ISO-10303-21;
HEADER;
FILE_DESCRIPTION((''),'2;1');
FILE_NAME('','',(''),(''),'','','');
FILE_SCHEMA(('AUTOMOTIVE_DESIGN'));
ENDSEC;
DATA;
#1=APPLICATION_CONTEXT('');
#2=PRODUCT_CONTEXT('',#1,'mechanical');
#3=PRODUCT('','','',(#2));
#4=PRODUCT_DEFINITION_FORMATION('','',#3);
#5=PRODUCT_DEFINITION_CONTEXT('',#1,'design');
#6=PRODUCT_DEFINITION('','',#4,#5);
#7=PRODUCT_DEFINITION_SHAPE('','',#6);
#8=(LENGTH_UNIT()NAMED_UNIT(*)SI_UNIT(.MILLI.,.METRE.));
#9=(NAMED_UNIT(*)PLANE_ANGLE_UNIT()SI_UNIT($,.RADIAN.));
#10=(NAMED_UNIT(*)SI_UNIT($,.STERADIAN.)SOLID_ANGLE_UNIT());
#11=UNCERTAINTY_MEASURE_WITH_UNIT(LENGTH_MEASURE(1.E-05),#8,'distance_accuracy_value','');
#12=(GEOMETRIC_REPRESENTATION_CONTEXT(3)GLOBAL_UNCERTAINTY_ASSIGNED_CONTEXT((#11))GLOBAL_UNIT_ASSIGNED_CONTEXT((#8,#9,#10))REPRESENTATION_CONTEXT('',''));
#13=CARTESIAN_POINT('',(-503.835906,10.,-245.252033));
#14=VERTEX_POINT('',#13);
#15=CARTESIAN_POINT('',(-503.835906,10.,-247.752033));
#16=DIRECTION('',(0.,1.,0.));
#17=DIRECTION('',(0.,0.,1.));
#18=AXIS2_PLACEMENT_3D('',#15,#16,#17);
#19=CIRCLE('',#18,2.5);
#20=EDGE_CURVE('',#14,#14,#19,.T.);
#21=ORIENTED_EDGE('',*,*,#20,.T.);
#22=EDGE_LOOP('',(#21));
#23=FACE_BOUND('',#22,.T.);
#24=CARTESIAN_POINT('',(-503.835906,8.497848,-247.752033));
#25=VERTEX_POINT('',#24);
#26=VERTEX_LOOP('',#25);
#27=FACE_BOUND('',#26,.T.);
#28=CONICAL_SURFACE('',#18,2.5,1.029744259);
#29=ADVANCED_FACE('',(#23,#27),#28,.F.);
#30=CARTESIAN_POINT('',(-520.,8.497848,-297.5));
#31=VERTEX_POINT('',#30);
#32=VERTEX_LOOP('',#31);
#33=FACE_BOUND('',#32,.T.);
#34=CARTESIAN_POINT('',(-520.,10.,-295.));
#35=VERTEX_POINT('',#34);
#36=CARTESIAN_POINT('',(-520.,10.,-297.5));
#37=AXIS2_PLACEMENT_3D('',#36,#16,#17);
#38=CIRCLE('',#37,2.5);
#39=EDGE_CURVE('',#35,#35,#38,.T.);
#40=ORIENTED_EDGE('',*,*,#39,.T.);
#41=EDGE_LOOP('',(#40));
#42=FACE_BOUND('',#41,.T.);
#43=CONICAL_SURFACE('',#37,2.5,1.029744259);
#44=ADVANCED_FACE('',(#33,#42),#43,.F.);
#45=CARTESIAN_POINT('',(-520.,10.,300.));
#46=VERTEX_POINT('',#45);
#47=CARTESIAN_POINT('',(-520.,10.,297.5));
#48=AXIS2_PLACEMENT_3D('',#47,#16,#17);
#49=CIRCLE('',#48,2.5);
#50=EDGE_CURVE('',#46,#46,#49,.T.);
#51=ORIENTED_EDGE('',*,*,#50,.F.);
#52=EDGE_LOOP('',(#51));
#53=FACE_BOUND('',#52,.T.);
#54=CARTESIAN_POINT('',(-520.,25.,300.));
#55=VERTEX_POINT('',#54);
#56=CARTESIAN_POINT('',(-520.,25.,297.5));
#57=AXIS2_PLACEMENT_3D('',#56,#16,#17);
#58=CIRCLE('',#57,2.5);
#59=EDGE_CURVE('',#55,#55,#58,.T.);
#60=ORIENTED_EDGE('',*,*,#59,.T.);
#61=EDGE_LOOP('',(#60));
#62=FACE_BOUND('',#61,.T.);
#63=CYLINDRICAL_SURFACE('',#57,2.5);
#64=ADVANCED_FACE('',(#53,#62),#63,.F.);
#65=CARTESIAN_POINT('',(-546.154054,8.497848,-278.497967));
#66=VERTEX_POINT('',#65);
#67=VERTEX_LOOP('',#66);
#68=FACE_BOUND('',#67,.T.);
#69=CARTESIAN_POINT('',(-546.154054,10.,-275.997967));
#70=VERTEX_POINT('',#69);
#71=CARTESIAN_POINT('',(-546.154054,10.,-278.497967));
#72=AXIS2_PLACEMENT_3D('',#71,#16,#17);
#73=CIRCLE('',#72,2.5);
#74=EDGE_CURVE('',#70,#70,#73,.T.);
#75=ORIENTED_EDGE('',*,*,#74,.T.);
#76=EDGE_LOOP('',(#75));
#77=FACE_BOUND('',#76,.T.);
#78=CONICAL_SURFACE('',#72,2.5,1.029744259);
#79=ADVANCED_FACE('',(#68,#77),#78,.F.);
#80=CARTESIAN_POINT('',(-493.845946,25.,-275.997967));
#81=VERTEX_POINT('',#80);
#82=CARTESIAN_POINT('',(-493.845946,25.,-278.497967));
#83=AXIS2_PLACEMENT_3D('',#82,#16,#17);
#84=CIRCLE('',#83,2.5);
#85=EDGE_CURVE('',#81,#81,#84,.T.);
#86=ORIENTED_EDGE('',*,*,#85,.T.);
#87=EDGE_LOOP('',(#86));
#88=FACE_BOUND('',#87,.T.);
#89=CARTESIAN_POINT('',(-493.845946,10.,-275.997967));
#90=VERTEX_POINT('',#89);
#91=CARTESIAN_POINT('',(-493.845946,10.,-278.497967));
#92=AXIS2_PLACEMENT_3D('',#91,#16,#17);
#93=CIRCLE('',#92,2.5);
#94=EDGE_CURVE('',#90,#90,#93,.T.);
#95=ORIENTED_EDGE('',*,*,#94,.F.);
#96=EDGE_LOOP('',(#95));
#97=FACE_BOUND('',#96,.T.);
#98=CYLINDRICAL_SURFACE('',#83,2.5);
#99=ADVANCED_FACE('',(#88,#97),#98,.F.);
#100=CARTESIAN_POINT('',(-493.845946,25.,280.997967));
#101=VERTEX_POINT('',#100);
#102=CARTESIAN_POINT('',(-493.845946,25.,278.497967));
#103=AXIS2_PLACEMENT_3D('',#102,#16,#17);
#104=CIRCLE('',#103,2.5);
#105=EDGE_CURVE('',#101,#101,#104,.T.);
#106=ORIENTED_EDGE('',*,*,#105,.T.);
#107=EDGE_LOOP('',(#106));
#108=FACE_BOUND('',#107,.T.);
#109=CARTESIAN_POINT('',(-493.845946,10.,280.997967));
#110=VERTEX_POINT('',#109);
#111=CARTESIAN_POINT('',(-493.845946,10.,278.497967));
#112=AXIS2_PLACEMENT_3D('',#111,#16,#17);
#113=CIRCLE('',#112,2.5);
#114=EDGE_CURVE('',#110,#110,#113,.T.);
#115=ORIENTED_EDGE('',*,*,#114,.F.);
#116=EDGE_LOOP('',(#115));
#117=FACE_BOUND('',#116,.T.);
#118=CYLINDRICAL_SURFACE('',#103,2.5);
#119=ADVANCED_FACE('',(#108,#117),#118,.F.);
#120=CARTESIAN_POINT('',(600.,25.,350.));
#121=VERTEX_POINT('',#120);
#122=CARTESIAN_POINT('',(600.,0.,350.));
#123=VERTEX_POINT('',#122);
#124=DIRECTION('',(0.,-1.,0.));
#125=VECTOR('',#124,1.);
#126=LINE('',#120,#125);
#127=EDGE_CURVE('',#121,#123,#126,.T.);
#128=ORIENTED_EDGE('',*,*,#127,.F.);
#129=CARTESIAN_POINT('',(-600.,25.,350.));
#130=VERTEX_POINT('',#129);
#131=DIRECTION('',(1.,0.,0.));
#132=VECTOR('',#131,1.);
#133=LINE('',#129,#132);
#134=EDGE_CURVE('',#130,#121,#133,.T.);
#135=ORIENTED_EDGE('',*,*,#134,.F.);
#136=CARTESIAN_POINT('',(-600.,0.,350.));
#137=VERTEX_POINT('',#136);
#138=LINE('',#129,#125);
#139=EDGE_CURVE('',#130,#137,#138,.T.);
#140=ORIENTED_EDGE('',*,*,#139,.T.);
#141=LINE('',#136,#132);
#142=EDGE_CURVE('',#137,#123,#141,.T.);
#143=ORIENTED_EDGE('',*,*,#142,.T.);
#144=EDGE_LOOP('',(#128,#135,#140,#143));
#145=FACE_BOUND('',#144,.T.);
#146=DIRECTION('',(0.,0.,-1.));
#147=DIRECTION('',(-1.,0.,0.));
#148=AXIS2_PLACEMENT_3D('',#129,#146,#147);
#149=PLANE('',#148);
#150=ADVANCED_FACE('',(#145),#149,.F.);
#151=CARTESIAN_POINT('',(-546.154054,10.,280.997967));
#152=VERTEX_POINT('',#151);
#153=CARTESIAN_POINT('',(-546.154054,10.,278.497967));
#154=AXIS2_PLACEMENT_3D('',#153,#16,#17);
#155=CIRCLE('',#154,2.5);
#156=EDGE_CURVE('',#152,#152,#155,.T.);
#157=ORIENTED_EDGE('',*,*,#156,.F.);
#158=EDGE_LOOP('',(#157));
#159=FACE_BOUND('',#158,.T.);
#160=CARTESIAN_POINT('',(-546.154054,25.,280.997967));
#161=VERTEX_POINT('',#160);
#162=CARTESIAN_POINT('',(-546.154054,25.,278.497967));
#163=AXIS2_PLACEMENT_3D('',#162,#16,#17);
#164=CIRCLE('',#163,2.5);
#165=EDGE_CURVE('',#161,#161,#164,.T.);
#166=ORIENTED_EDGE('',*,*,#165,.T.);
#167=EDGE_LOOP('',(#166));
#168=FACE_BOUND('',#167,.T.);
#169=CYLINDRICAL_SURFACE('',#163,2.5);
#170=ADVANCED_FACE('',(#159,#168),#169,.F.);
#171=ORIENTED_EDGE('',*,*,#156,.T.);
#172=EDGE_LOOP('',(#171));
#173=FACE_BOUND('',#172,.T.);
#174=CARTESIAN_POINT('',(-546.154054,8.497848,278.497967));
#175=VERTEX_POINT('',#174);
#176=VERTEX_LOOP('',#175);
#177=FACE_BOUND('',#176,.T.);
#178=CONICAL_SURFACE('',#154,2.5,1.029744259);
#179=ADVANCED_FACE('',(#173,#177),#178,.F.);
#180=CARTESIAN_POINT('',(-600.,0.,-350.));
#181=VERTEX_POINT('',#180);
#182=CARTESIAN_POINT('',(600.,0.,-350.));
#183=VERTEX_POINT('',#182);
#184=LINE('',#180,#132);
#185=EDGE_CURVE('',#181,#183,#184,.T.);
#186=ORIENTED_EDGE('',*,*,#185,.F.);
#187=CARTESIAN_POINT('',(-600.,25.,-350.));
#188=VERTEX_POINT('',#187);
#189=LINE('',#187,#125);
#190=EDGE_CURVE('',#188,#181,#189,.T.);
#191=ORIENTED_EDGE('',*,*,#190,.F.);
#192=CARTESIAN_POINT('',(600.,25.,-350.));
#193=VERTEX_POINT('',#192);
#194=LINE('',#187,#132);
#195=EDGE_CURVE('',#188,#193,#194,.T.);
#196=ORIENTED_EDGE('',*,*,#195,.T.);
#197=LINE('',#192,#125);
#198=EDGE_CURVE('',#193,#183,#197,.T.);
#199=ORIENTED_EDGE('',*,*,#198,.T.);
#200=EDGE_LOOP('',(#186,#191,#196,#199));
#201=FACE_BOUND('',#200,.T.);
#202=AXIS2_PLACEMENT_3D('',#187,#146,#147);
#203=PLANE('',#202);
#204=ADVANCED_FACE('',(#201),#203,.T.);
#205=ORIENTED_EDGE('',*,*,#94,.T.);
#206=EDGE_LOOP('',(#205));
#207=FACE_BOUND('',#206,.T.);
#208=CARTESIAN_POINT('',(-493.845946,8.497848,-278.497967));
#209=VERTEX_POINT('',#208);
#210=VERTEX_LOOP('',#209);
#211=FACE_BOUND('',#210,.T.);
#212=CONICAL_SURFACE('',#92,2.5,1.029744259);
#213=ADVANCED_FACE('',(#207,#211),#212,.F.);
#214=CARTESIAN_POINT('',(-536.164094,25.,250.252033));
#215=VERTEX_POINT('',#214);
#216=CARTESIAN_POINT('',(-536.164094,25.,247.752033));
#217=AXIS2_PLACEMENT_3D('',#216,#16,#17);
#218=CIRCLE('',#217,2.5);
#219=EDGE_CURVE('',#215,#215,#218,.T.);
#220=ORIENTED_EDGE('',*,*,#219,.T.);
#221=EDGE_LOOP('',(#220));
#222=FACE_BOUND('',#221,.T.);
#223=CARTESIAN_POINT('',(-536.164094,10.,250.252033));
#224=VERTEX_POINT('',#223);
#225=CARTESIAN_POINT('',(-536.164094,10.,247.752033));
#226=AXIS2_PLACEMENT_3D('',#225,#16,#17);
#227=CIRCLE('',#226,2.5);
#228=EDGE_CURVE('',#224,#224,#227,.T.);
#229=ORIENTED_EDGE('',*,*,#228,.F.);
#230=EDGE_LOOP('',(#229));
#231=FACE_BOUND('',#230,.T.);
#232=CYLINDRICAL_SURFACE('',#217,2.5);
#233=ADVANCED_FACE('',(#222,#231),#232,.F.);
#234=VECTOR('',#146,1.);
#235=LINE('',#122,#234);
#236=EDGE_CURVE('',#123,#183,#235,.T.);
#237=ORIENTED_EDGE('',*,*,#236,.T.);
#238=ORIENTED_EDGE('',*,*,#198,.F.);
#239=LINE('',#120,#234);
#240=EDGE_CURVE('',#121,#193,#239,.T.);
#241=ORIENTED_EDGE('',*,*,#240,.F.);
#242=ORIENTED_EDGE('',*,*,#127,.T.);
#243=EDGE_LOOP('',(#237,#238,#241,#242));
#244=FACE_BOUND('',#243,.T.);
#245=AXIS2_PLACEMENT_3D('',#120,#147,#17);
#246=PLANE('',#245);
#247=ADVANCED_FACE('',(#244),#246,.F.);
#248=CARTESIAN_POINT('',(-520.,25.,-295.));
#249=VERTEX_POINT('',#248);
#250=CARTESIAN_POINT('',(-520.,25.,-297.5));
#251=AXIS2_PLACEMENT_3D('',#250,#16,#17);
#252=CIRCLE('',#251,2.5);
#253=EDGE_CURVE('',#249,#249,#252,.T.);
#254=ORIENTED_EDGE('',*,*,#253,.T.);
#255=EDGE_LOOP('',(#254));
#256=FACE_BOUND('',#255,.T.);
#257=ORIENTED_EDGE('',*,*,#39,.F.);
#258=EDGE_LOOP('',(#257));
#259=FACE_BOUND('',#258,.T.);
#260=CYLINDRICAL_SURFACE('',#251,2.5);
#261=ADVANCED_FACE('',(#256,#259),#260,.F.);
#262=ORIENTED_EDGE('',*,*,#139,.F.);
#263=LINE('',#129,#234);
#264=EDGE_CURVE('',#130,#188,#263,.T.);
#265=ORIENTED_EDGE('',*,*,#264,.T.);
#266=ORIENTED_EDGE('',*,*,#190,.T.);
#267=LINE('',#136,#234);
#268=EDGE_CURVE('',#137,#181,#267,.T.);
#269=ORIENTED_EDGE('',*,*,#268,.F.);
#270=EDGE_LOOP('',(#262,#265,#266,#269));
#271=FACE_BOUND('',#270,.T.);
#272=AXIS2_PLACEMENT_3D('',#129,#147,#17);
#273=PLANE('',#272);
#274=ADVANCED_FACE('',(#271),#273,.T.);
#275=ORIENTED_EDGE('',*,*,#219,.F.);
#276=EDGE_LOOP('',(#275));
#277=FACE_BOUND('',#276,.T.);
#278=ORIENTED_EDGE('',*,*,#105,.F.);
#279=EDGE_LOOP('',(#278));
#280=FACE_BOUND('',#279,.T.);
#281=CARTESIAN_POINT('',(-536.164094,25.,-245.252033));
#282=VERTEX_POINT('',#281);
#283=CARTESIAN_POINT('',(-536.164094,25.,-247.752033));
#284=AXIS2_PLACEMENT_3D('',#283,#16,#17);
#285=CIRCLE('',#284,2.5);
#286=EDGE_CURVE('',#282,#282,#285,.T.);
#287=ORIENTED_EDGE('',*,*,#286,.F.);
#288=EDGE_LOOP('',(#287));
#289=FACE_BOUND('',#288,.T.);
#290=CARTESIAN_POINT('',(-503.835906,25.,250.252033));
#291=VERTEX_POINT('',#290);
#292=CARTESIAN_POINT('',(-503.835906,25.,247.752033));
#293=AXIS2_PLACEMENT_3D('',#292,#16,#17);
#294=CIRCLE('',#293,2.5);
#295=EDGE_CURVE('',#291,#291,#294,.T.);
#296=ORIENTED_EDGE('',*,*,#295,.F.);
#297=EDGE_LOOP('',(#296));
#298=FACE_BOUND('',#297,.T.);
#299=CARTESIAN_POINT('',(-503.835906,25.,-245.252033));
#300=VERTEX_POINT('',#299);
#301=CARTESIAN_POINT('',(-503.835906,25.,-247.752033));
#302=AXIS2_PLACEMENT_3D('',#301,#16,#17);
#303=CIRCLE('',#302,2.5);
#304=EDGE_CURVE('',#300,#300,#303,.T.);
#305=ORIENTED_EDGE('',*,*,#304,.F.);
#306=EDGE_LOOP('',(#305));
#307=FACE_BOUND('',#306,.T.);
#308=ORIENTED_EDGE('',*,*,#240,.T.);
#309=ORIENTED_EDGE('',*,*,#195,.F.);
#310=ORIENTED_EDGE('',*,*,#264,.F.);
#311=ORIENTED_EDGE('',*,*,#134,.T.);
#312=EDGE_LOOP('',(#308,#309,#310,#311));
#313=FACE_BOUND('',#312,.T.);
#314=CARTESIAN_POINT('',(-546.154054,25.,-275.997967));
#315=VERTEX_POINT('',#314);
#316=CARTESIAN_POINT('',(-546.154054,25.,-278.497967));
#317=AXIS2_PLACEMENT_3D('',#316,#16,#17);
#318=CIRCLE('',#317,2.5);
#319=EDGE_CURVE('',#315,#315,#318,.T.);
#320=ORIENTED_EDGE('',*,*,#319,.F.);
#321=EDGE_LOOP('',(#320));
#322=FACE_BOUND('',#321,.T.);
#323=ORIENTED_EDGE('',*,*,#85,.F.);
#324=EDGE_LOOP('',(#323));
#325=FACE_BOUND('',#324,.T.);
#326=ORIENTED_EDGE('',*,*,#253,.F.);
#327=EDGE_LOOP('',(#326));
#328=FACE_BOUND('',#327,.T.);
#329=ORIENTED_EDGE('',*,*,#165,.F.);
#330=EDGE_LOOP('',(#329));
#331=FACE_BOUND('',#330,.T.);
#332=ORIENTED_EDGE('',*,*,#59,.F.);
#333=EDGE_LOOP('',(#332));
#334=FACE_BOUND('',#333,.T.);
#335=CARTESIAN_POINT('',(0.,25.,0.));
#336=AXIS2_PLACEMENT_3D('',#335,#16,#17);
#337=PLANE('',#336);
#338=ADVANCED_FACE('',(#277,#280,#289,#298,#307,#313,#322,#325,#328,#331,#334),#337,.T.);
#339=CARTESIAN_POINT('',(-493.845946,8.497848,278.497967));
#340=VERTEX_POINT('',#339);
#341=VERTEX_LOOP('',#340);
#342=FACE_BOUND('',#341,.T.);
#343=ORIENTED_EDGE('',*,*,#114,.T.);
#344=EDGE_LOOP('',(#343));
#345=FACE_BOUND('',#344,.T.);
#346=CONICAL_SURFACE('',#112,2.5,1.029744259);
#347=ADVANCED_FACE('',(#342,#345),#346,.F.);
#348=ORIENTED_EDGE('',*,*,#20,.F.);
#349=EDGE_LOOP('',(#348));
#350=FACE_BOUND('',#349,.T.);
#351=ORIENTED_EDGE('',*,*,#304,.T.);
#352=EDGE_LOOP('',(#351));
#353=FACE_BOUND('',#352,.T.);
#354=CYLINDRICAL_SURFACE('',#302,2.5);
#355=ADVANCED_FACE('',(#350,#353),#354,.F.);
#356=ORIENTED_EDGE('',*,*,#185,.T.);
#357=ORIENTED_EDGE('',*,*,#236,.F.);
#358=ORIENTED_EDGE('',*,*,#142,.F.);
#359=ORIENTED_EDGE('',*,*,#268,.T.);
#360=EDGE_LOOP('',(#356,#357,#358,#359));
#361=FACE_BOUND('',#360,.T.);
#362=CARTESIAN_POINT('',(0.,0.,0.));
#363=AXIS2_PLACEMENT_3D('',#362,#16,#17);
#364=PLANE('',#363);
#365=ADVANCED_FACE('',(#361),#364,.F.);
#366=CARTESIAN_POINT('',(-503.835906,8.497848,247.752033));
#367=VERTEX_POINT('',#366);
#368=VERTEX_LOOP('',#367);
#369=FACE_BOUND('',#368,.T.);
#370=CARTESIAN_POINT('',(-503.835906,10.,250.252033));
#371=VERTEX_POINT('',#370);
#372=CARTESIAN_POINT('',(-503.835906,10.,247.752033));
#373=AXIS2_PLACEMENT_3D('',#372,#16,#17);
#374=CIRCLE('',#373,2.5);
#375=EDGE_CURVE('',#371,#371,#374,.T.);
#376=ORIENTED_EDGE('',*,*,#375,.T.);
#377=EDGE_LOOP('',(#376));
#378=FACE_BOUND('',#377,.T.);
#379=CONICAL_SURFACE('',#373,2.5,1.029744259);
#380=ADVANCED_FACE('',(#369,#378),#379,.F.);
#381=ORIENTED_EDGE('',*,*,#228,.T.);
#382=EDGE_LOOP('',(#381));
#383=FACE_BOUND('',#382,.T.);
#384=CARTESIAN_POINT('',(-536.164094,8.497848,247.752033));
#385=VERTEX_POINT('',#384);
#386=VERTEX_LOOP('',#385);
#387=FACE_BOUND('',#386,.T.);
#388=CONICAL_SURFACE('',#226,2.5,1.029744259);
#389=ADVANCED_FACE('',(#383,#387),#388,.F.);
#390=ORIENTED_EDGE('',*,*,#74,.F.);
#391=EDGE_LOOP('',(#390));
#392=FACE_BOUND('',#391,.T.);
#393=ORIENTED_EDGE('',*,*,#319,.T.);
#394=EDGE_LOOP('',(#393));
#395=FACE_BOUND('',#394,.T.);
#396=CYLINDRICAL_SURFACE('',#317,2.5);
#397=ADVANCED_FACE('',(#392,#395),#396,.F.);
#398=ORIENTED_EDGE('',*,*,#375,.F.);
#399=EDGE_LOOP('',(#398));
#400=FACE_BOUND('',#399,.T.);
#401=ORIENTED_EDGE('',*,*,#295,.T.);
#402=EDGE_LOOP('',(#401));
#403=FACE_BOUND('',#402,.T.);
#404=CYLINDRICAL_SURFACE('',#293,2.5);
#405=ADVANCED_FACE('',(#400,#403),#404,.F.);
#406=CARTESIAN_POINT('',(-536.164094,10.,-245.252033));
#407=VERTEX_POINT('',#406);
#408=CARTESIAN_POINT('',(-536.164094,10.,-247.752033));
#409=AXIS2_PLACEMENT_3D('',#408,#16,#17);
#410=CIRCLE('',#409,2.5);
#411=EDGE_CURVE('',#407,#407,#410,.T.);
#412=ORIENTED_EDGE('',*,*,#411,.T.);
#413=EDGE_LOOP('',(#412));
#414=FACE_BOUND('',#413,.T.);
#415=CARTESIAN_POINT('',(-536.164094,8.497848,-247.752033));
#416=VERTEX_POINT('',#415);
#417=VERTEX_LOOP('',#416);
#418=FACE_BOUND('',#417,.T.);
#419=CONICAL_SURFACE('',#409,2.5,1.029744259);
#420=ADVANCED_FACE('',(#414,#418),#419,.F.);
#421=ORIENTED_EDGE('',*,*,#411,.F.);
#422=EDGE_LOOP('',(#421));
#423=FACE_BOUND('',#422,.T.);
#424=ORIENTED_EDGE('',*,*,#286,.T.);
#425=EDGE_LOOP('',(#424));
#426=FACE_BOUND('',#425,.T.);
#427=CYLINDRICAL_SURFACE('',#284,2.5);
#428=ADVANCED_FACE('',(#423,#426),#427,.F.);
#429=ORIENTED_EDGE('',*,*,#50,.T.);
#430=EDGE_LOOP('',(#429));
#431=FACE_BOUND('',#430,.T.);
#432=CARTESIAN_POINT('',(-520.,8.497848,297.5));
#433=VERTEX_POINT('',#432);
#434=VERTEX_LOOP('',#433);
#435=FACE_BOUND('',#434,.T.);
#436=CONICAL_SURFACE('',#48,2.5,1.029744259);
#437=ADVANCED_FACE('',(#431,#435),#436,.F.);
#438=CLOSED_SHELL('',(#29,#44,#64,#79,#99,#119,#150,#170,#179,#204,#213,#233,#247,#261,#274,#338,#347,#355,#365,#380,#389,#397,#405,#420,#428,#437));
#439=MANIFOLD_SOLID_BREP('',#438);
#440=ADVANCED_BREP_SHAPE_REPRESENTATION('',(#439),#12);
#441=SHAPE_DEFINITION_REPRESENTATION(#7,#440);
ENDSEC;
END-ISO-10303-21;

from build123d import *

# Parameters (mm, degrees)
SKETCH1_W                   = 1200
SKETCH1_H                   = 700
BOSS_EXTRUDE1_DEPTH         = 25
TAP_DRILL_FOR_M6_TAP1_D     = 5
TAP_DRILL_FOR_M6_TAP1_DEPTH = 15
TAP_DRILL_FOR_M6_TAP1_TIP   = 1.502151548


with BuildPart() as part:
    # Sketch1 → Boss-Extrude1 (new body)
    with BuildSketch(Plane(origin=(0, 0, 0), x_dir=(1, 0, 0), z_dir=(0, 1, 0))):
        Rectangle(SKETCH1_W, SKETCH1_H)
    extrude(amount=BOSS_EXTRUDE1_DEPTH)

    # Tap Drill for M6 Tap1
    with Locations(Plane(origin=(-493.845945802, 25, -278.497967345), x_dir=(0, 0, 1), z_dir=(0, 1, 0))):
        with Locations((0, 0), (-19.002032655, -26.154054198), (0, -52.308108396), (30.74593469, -42.318148636), (30.74593469, -9.98995976), (556.99593469, 0), (526.25, -9.98995976), (526.25, -42.318148636), (556.99593469, -52.308108396), (575.997967345, -26.154054198)):
            Hole(TAP_DRILL_FOR_M6_TAP1_D / 2, depth=TAP_DRILL_FOR_M6_TAP1_DEPTH)
            with Locations((0, 0, -(TAP_DRILL_FOR_M6_TAP1_DEPTH + TAP_DRILL_FOR_M6_TAP1_TIP / 2))):  # 118° drill point
                Cone(0, TAP_DRILL_FOR_M6_TAP1_D / 2, TAP_DRILL_FOR_M6_TAP1_TIP, mode=Mode.SUBTRACT)


solid = part.part
